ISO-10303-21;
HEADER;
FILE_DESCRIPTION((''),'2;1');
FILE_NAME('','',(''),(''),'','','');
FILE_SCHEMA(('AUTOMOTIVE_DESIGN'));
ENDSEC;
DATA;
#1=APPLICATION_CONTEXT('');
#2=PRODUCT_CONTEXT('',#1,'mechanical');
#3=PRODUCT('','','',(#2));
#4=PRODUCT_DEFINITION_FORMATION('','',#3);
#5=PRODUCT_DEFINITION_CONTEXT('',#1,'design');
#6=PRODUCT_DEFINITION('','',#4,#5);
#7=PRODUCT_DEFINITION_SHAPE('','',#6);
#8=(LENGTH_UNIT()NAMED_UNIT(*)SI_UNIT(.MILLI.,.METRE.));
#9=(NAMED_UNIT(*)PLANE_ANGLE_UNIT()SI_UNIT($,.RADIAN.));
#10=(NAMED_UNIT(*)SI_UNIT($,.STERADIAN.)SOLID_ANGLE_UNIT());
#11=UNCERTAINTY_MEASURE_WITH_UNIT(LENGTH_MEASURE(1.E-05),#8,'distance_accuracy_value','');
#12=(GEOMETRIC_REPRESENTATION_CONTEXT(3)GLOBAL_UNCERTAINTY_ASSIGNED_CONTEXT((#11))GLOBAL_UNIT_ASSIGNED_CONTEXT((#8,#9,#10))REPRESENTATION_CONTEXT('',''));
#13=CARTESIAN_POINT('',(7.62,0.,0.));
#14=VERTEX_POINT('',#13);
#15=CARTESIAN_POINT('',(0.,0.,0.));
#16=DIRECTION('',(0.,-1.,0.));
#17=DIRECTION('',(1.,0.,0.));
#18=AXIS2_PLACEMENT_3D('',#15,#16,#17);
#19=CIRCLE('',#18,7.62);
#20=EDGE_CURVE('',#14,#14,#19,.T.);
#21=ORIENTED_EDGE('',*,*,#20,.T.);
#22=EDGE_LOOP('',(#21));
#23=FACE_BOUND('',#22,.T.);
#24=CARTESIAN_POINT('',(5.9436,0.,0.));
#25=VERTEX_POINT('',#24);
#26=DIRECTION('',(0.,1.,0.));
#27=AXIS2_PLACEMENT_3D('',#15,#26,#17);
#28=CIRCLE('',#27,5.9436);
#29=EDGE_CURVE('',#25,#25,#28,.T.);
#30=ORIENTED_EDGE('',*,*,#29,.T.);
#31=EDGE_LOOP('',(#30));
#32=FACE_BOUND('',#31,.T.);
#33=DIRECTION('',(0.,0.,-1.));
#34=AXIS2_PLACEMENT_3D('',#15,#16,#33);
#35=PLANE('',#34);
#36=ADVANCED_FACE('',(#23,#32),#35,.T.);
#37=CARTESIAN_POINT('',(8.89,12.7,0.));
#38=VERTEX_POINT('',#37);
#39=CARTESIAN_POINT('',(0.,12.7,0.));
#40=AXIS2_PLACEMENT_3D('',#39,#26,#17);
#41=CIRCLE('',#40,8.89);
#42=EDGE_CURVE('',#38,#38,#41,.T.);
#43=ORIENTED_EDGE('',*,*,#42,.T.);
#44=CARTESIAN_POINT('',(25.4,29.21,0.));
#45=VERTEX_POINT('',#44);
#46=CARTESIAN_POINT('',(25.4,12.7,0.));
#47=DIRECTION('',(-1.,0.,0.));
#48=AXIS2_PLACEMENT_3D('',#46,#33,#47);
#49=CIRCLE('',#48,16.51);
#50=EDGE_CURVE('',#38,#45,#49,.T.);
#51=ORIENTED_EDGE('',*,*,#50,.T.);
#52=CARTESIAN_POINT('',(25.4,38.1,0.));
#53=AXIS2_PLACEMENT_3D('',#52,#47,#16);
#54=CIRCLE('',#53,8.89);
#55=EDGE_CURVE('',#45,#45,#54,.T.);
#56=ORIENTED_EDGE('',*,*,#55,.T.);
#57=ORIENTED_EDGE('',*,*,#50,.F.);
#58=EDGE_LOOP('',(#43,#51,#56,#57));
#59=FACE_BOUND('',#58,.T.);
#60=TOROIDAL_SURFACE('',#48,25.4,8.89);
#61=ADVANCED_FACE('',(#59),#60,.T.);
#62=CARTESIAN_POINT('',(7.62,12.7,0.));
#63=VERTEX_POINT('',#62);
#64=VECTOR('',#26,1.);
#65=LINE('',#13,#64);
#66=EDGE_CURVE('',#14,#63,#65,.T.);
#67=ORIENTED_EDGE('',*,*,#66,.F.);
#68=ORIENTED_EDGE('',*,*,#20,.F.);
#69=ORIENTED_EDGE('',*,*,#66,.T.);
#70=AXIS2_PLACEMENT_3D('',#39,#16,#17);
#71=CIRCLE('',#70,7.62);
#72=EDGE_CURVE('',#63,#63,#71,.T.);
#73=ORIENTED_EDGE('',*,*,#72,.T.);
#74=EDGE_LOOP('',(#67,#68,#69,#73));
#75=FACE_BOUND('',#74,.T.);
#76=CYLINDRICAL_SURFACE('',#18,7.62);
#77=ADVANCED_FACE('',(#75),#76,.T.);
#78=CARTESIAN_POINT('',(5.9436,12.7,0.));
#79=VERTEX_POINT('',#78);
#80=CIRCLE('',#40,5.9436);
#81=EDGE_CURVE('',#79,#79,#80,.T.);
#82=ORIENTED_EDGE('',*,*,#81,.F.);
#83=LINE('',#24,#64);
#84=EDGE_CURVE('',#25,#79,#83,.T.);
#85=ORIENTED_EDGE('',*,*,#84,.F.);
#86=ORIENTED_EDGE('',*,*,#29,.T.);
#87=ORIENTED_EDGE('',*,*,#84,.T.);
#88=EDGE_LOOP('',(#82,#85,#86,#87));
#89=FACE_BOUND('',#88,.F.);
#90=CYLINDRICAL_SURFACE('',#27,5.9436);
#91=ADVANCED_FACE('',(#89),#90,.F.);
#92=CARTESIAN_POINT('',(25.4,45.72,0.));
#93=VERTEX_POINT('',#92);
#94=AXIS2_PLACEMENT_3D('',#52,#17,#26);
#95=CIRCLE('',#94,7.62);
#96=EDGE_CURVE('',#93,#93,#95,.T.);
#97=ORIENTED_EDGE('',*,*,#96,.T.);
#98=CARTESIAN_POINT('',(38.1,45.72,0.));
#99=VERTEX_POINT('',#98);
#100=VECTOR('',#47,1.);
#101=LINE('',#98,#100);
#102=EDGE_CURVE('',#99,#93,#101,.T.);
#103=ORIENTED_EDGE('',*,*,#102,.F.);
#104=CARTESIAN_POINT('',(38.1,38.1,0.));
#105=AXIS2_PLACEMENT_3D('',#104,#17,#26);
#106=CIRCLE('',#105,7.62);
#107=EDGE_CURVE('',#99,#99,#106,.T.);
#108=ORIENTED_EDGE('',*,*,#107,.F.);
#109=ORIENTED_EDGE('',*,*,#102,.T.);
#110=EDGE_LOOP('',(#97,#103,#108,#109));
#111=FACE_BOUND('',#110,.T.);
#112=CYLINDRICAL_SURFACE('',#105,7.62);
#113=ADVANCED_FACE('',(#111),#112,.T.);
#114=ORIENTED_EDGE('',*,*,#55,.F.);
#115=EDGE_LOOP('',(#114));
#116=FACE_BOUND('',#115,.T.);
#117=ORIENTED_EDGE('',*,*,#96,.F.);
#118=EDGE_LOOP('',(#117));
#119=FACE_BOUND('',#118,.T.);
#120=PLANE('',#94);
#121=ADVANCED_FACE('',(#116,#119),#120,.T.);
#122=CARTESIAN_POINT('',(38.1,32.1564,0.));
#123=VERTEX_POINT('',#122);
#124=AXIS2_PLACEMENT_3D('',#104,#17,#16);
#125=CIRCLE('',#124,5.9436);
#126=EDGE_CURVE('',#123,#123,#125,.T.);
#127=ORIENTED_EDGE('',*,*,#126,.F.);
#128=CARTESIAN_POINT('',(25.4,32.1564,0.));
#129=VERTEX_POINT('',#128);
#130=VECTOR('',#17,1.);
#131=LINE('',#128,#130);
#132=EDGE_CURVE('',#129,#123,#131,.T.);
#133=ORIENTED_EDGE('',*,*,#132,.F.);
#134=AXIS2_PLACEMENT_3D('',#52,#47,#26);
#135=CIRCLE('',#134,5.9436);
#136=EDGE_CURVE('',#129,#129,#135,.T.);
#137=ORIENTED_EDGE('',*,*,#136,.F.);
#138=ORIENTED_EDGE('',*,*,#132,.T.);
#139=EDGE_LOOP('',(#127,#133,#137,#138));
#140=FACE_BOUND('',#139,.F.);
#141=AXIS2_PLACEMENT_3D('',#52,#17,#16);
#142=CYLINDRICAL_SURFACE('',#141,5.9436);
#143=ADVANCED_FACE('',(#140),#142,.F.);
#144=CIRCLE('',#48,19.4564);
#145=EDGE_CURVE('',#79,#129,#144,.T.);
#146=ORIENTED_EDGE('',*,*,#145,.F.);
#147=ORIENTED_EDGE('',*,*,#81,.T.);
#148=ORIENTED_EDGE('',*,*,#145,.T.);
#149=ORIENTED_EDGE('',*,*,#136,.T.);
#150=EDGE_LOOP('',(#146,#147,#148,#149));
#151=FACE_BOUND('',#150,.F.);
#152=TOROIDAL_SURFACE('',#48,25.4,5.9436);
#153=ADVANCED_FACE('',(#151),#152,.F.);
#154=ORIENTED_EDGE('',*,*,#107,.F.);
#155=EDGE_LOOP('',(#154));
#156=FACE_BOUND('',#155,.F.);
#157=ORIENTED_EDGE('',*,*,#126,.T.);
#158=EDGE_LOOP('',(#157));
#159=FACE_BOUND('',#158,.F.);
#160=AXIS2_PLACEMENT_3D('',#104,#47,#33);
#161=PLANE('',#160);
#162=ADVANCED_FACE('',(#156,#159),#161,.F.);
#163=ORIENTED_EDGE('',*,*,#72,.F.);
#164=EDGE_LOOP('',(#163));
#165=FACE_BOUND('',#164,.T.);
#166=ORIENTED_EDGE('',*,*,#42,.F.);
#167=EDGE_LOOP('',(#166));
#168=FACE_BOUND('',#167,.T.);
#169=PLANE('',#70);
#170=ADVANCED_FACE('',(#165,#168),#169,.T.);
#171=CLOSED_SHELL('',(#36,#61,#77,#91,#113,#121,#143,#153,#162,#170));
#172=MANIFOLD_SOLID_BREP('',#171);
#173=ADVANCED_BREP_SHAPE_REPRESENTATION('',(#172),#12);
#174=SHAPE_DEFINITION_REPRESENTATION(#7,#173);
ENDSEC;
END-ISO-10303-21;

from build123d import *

# Parameters (mm, degrees)
F0_R     = 8.89
F0_R_2   = 5.9436
F3_R     = 8.89
F3_R_2   = 7.62
F4_DEPTH = 12.7
F5_R     = 8.89
F5_R_2   = 7.62
F6_DEPTH = 12.7


with BuildPart() as f2:
    # F2: sweep along a path in F1
    with BuildLine(Plane.XY) as f2_path:
        Line((0, 0), (0, 12.7))
        ThreePointArc((0, 12.7), (7.4394877579, 30.6605122421), (25.4, 38.1))
        Line((25.4, 38.1), (38.1, 38.1))
    # F0 (on Front) → F2 (sweep)
    with BuildSketch(Plane.XZ):
        Circle(F0_R)
        Circle(F0_R_2, mode=Mode.SUBTRACT)
    sweep(path=f2_path.line)

    # F3 (on face) → F4 (cut)
    with BuildSketch(Plane.XZ):
        Circle(F3_R)
        Circle(F3_R_2, mode=Mode.SUBTRACT)
    extrude(amount=-F4_DEPTH, mode=Mode.SUBTRACT)

    # F5 (on face) → F6 (cut)
    with BuildSketch(Plane.YZ.offset(38.1)):
        with Locations((38.1, 0)):
            Circle(F5_R)
        with Locations((38.1, 0)):
            Circle(F5_R_2, mode=Mode.SUBTRACT)
    extrude(amount=-F6_DEPTH, mode=Mode.SUBTRACT)


solid = f2.part
